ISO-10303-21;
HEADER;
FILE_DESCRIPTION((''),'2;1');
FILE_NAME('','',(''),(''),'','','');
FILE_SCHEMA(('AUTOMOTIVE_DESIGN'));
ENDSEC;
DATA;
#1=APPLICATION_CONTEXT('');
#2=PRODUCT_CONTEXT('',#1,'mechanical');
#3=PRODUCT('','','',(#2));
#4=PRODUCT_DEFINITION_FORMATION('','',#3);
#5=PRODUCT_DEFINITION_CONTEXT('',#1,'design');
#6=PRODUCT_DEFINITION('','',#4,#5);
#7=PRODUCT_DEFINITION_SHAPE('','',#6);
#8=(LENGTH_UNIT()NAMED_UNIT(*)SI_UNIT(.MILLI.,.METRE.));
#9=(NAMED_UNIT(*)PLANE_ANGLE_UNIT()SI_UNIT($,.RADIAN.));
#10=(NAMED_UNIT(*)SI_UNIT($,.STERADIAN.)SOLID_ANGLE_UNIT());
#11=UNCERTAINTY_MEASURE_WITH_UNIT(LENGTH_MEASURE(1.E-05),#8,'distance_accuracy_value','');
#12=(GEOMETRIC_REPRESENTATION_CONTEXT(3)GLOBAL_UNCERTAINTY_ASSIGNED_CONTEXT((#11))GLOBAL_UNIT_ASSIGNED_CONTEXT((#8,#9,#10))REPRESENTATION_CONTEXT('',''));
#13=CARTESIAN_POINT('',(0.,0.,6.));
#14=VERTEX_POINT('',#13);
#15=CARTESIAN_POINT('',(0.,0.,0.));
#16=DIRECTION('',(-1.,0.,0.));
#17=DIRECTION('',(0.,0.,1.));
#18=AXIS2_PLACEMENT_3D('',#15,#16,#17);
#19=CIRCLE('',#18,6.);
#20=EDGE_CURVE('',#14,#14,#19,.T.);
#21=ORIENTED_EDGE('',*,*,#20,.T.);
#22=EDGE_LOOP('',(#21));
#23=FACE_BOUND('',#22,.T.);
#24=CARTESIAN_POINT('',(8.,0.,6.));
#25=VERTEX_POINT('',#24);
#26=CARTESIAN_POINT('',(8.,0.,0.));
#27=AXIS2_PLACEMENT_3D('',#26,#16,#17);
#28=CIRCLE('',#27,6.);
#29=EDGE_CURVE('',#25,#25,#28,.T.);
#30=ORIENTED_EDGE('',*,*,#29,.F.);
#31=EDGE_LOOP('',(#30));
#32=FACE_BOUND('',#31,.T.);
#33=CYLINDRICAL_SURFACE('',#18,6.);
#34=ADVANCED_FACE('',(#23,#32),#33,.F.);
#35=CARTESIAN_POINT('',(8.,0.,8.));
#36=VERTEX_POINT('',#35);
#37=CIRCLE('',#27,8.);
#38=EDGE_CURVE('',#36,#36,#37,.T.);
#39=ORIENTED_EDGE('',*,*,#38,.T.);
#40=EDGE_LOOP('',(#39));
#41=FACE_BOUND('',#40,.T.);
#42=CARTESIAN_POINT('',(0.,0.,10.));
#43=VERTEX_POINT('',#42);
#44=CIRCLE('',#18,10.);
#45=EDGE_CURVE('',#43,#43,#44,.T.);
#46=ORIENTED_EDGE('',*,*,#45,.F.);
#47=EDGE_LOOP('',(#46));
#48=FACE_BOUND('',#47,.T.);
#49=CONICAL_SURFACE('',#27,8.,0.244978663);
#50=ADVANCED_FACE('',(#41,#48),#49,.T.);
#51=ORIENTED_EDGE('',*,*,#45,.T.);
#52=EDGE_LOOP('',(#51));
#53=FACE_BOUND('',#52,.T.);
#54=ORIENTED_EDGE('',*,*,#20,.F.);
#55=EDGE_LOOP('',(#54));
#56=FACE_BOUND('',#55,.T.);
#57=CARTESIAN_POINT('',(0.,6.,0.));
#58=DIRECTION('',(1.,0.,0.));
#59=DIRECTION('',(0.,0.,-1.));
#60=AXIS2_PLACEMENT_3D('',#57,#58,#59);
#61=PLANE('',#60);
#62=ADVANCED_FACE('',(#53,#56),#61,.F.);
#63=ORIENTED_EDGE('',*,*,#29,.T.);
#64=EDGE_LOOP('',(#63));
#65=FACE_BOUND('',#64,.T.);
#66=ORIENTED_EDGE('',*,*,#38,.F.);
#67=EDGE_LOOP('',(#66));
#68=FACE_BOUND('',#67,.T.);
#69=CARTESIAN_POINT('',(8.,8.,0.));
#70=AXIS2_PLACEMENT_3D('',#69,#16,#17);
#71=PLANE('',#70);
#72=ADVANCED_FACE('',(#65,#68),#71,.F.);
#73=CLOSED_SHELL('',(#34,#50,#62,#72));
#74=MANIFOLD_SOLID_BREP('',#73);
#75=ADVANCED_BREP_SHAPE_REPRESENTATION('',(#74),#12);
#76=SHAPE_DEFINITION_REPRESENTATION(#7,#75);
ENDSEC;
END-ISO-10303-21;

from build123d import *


with BuildPart() as part:
    # Szkic1 → Obrót1 (revolve)
    with BuildSketch(Plane.XY):
        Polygon((0, 6), (0, 10), (8, 8), (8, 6), align=None)
    revolve(axis=Axis((0, 0, 0), (1, 0, 0)))


solid = part.part
